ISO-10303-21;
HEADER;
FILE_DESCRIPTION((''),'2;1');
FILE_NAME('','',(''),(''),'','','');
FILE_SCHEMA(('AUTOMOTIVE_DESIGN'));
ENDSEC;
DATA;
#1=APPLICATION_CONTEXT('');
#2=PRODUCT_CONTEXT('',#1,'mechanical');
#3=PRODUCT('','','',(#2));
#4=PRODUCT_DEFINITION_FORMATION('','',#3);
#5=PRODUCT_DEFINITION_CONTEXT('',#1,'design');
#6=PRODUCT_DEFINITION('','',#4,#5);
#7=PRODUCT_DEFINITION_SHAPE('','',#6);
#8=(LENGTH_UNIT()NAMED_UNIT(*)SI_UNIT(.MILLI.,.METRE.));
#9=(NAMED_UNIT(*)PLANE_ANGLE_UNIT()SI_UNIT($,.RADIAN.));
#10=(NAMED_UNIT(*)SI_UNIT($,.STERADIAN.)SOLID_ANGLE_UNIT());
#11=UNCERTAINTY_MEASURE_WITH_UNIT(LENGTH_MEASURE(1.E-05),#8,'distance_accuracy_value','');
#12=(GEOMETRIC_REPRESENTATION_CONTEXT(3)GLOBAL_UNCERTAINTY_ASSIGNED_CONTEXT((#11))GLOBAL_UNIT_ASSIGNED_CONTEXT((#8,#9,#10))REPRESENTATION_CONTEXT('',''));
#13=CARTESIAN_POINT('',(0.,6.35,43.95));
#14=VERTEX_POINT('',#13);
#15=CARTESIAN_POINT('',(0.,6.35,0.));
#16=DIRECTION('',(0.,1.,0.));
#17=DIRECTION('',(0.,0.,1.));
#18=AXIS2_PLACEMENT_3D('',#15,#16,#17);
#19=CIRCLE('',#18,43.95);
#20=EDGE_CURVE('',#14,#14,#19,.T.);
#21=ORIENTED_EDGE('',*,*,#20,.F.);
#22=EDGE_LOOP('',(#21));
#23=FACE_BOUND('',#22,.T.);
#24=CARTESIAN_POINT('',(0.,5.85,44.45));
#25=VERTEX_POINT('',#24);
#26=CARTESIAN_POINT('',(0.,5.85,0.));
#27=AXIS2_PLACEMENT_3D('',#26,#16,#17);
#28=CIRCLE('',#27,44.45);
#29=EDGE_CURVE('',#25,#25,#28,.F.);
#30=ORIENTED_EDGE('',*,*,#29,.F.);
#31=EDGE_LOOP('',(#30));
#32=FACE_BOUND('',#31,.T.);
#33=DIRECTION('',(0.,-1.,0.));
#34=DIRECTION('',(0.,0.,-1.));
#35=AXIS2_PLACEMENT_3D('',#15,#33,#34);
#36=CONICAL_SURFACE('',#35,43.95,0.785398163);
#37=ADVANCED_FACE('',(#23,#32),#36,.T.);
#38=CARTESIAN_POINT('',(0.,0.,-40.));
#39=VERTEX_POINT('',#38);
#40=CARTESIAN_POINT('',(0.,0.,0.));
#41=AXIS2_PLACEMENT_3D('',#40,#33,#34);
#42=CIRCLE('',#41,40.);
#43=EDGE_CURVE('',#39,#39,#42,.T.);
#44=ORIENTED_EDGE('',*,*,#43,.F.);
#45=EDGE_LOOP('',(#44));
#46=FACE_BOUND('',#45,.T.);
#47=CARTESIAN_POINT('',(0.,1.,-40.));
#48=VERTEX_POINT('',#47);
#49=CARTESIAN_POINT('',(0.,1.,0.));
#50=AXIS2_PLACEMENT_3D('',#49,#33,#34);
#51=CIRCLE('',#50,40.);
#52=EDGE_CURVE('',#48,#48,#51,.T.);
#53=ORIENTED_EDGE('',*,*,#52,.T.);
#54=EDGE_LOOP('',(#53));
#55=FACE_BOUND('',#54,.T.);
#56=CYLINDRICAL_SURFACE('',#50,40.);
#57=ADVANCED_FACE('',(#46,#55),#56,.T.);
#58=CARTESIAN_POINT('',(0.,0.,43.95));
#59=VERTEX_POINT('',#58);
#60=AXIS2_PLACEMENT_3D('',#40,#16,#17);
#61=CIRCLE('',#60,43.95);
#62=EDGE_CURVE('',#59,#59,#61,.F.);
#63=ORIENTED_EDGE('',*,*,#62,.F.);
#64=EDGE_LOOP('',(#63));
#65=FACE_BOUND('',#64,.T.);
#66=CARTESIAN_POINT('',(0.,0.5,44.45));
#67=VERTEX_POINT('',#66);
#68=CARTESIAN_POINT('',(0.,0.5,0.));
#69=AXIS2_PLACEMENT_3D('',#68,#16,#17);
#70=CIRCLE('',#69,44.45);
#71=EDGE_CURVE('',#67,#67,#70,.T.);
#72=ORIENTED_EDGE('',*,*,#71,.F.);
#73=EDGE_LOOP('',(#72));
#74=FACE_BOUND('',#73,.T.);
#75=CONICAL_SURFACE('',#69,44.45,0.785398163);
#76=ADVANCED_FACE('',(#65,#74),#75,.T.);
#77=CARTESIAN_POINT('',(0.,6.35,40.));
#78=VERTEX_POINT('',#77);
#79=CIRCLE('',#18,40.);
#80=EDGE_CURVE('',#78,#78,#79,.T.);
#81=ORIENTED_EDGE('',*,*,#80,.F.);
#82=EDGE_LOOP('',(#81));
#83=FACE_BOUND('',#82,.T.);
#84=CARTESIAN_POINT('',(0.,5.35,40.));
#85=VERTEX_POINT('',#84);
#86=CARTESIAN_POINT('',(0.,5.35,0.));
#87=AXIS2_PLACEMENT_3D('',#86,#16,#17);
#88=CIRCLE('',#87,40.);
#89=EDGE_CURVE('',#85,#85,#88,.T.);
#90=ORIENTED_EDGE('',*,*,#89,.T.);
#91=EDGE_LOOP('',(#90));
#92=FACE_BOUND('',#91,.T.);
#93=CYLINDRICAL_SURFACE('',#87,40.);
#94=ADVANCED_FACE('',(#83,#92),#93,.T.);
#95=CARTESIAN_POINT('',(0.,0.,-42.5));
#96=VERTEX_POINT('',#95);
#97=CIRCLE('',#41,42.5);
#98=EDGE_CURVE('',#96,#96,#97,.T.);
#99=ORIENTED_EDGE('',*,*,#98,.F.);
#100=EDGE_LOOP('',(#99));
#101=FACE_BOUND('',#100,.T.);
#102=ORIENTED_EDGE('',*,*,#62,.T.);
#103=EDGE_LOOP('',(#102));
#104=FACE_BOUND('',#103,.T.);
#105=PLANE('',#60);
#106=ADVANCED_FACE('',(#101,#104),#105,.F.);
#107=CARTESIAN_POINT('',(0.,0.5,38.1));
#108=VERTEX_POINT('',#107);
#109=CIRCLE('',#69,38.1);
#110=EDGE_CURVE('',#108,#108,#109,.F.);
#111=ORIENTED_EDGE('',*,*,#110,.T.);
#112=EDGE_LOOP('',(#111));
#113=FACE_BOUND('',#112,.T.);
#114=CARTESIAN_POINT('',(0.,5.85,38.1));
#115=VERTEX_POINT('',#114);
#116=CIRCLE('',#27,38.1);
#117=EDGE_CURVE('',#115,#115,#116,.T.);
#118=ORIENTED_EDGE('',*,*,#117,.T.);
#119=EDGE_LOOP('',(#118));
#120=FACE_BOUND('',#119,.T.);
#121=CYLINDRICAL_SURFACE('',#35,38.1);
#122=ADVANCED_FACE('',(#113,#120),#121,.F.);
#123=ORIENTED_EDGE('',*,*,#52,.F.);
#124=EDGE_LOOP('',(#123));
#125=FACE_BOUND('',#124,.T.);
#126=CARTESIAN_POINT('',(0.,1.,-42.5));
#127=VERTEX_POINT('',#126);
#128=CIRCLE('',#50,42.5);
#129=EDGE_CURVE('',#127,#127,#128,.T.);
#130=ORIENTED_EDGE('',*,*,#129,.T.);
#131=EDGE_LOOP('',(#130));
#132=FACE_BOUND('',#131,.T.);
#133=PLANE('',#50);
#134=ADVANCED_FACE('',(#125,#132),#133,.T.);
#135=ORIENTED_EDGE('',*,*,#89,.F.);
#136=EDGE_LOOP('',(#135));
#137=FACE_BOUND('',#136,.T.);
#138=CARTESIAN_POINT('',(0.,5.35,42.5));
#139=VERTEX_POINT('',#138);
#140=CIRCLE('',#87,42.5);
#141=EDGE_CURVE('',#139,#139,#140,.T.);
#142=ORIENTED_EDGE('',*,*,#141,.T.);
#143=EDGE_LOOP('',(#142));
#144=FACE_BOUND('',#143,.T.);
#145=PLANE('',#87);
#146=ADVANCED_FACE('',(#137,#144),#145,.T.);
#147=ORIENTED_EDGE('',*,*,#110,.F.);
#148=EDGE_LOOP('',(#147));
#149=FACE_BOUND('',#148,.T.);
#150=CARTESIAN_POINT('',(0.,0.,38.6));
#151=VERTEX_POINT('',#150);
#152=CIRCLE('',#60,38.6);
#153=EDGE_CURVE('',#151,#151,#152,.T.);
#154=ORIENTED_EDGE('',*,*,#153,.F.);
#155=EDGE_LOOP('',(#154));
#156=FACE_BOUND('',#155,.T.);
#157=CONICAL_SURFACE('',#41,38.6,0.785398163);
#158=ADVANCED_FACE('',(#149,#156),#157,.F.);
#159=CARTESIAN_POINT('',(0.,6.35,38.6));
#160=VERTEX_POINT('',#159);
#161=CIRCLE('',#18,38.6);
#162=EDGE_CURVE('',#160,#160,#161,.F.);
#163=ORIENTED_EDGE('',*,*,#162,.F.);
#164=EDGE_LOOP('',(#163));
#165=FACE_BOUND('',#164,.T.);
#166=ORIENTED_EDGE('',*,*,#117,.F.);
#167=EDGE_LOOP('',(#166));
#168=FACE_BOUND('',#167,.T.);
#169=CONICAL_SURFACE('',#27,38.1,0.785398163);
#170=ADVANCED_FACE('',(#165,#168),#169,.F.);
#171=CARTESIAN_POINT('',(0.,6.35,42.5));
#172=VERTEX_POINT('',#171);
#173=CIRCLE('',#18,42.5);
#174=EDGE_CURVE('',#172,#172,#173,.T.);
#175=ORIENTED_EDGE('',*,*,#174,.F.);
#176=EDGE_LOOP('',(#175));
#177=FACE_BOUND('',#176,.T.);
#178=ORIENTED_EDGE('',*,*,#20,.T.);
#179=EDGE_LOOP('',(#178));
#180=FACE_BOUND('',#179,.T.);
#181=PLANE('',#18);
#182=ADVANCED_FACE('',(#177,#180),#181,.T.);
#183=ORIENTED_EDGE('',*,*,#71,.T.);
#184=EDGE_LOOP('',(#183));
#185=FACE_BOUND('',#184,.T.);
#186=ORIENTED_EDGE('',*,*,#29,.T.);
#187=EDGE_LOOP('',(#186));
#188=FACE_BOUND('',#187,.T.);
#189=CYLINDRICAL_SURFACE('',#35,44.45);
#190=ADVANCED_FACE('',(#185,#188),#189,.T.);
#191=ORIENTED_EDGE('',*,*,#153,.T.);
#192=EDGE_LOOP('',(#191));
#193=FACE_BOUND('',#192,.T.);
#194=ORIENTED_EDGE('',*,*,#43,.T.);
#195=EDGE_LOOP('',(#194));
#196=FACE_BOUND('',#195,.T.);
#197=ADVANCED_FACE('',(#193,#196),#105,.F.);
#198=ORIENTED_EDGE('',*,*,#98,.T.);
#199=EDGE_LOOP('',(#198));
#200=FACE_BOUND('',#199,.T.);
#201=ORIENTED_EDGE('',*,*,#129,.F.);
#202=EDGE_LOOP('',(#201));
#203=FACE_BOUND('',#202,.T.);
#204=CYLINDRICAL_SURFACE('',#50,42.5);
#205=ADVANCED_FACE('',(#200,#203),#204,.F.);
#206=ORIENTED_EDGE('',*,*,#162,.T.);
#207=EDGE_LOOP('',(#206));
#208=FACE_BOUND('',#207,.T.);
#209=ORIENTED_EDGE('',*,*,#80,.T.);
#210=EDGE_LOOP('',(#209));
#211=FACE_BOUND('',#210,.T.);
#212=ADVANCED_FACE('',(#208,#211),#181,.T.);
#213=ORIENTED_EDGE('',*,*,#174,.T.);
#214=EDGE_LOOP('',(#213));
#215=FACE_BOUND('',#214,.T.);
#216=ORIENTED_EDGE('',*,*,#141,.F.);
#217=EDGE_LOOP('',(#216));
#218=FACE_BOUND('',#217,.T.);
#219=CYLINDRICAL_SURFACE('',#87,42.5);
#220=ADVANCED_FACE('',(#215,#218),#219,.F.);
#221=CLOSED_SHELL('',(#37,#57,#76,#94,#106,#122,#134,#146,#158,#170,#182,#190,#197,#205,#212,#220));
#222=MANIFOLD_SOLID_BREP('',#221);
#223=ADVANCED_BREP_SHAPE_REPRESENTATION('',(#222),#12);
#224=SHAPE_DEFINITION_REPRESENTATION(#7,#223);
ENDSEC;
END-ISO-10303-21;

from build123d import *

# Parameters (mm, degrees)
SKETCH_1_R          = 44.45
SKETCH_1_R_2        = 38.1
EXTRUDE_1_DEPTH     = 6.35
SKETCH_2_R          = 42.5
SKETCH_2_R_2        = 40
CUT_EXTRUDE_1_DEPTH = 1
CUT_EXTRUDE_START   = -1
SKETCH_3_R          = 42.5
SKETCH_3_R_2        = 40
CUT_EXTRUDE_2_DEPTH = 1
CHAMFER_1_SIZE      = 0.5


with BuildPart() as part:
    # 草图1 → 凸台-拉伸1 (new body)
    with BuildSketch(Plane(origin=(0, 0, 0), x_dir=(1, 0, 0), z_dir=(0, 1, 0))):
        with Locations(Location((0, 0, 0), (0, 0, 270))):
            Circle(SKETCH_1_R)
        with Locations(Location((0, 0, 0), (0, 0, 270))):
            Circle(SKETCH_1_R_2, mode=Mode.SUBTRACT)
    extrude(amount=EXTRUDE_1_DEPTH)

    # 草图2 → 切除-拉伸1 (cut)
    with BuildSketch(Plane(origin=(0, 6.35, 0), x_dir=(1, 0, 0), z_dir=(0, 1, 0))):
        with Locations(Location((0, 0, 0), (0, 0, 270))):
            Circle(SKETCH_2_R)
        with Locations(Location((0, 0, 0), (0, 0, 270))):
            Circle(SKETCH_2_R_2, mode=Mode.SUBTRACT)
    extrude(amount=-CUT_EXTRUDE_1_DEPTH, mode=Mode.SUBTRACT)

    # 草图3 → 切除-拉伸2 (cut)
    with BuildSketch(Plane.XZ.offset(CUT_EXTRUDE_START)):
        with Locations(Location((0, 0, 0), (0, 0, 90))):
            Circle(SKETCH_3_R)
        with Locations(Location((0, 0, 0), (0, 0, 90))):
            Circle(SKETCH_3_R_2, mode=Mode.SUBTRACT)
    extrude(amount=CUT_EXTRUDE_2_DEPTH, mode=Mode.SUBTRACT)

    # 倒角1
    chamfer_1_edges = [part.edges().sort_by_distance(p)[0] for p in [
        (0, 0, -44.45),
        (0, 6.35, -44.45),
        (0, 0, -38.1),
        (0, 6.35, -38.1),
    ]]
    chamfer(chamfer_1_edges, length=CHAMFER_1_SIZE)


solid = part.part
